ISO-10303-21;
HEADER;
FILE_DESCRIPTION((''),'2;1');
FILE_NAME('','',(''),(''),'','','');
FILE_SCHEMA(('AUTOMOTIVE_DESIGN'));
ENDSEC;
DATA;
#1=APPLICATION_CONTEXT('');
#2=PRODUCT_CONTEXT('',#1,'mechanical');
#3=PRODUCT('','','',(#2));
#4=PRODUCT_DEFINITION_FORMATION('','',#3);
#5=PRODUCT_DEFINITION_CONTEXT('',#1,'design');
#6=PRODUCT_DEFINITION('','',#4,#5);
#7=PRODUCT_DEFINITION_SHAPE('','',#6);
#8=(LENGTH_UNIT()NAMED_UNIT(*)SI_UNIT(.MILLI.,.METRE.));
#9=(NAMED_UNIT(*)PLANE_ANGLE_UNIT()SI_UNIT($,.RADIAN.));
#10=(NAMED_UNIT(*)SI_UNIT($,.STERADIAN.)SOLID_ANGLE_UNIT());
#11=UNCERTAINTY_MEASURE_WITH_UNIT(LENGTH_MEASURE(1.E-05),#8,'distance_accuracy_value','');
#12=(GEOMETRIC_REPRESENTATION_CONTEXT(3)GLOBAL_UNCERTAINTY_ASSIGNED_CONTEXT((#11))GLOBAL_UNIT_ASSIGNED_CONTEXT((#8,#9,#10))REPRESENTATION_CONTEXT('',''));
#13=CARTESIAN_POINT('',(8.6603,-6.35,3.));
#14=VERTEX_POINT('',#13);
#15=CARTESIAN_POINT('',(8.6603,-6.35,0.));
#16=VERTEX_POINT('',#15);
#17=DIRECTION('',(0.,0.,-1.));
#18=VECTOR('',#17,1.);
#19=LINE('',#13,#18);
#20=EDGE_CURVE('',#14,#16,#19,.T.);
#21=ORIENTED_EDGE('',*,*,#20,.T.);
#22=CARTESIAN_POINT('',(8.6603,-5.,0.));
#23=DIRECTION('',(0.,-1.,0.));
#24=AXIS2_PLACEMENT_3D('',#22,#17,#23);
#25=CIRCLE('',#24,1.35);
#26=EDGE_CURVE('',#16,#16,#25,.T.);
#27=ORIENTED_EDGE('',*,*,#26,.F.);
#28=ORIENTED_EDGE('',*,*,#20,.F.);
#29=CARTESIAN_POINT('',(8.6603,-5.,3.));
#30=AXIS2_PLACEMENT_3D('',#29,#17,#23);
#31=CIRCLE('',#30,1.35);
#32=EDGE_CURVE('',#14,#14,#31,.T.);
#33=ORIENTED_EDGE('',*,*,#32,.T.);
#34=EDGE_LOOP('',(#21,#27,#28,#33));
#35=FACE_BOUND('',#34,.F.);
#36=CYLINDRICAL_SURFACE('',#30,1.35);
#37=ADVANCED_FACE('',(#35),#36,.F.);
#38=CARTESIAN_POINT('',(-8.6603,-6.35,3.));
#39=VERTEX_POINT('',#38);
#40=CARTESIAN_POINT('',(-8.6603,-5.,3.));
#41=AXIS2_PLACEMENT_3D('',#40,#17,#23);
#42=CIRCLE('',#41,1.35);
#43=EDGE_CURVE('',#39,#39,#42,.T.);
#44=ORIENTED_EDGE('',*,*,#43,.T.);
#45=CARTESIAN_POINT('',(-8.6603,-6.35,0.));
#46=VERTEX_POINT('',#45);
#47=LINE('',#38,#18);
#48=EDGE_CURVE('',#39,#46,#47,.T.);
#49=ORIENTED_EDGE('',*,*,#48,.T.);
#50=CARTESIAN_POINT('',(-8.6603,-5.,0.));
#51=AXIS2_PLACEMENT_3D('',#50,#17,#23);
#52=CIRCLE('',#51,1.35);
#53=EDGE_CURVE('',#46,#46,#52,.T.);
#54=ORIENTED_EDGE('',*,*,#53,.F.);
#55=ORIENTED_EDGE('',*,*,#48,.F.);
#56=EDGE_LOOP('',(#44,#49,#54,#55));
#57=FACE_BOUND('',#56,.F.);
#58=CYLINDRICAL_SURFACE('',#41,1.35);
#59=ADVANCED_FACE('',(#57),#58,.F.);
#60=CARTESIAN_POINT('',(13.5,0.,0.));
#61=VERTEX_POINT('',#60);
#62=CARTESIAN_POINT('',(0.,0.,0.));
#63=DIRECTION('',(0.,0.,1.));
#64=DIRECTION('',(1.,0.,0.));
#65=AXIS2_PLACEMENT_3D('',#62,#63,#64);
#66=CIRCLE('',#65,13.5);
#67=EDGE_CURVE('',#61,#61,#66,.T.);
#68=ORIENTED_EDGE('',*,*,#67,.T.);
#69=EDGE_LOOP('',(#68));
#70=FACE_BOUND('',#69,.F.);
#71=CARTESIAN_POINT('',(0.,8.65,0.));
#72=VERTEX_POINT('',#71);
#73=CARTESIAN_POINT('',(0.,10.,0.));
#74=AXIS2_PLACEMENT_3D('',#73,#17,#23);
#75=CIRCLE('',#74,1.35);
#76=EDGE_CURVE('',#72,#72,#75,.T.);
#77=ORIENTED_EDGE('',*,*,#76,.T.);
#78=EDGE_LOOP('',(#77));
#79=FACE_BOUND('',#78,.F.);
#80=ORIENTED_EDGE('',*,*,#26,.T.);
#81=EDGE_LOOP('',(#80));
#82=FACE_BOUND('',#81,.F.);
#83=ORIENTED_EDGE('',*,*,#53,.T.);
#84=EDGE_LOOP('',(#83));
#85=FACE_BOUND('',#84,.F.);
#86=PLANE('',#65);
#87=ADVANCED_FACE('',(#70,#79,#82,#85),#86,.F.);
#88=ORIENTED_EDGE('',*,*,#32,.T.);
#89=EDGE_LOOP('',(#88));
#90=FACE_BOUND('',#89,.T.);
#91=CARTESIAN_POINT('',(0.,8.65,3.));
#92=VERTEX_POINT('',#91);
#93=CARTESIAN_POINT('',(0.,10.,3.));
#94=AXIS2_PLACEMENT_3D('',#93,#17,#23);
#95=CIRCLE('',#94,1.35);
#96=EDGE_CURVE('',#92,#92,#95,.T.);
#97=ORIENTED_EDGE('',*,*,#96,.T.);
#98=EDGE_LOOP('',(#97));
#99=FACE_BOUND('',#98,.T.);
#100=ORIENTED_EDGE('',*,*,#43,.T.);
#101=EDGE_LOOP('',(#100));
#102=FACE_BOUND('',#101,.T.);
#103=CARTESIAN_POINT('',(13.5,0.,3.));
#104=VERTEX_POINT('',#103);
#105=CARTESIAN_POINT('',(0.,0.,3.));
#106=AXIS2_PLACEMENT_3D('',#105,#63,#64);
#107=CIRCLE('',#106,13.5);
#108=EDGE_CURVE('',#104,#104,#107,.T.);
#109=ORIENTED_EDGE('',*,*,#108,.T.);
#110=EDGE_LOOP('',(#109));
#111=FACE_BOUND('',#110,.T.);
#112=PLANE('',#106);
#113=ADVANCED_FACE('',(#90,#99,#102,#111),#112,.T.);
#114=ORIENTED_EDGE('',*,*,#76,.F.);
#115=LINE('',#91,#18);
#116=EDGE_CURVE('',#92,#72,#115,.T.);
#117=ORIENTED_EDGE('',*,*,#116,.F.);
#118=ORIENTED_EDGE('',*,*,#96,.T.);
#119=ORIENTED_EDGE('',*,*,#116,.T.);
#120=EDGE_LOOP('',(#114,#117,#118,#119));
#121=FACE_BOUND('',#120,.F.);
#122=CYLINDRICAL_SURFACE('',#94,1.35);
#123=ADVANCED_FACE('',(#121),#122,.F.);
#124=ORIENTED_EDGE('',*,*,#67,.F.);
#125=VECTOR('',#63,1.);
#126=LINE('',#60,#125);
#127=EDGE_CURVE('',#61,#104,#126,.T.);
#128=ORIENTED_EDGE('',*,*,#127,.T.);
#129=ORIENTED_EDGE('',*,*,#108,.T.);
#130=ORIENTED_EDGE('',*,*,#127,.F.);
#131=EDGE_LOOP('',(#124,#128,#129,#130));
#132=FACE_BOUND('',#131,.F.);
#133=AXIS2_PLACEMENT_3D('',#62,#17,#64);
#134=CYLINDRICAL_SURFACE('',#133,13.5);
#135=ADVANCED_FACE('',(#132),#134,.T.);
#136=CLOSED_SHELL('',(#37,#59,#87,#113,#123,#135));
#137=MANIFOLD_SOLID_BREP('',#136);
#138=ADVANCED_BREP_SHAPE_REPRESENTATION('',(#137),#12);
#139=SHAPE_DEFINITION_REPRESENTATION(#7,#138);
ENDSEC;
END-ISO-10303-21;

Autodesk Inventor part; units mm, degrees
ref_plane "YZ Plane" through (0, 0, 0) normal (1, 0, 0) x (0, 1, 0)
ref_plane "XZ Plane" through (0, 0, 0) normal (0, 1, 0) x (-1, 0, 0)
ref_plane "XY Plane" through (0, 0, 0) normal (0, 0, 1) x (1, 0, 0)
sketch "スケッチ1" plane through (0, 0, 0) normal (0, 0, 1) x (1, 0, 0)
  circle A0 centre (0, 0) radius 13.5
  dimension "d0" = 27
extrude "押し出し1" add sketch "スケッチ1" along normal blind 3
sketch "スケッチ2" plane through (0, 0, 3) normal (0, 0, 1) x (1, 0, 0)
  point P0 (0, 0)
  point P1 (0, 10)
  point P2 (-8.6603, -5)
  point P3 (8.6603, -5)
  dimension "d3" = 10
  dimension "d6" = 360
hole "穴1" at (0, 10, 3) at (-8.6603, -5, 3) at (8.6603, -5, 3) direction (0, 0, -1) diameter 2.7 depth 3
properties part number "wrist_pitch_spacer" material "アルミニウム 6061"
